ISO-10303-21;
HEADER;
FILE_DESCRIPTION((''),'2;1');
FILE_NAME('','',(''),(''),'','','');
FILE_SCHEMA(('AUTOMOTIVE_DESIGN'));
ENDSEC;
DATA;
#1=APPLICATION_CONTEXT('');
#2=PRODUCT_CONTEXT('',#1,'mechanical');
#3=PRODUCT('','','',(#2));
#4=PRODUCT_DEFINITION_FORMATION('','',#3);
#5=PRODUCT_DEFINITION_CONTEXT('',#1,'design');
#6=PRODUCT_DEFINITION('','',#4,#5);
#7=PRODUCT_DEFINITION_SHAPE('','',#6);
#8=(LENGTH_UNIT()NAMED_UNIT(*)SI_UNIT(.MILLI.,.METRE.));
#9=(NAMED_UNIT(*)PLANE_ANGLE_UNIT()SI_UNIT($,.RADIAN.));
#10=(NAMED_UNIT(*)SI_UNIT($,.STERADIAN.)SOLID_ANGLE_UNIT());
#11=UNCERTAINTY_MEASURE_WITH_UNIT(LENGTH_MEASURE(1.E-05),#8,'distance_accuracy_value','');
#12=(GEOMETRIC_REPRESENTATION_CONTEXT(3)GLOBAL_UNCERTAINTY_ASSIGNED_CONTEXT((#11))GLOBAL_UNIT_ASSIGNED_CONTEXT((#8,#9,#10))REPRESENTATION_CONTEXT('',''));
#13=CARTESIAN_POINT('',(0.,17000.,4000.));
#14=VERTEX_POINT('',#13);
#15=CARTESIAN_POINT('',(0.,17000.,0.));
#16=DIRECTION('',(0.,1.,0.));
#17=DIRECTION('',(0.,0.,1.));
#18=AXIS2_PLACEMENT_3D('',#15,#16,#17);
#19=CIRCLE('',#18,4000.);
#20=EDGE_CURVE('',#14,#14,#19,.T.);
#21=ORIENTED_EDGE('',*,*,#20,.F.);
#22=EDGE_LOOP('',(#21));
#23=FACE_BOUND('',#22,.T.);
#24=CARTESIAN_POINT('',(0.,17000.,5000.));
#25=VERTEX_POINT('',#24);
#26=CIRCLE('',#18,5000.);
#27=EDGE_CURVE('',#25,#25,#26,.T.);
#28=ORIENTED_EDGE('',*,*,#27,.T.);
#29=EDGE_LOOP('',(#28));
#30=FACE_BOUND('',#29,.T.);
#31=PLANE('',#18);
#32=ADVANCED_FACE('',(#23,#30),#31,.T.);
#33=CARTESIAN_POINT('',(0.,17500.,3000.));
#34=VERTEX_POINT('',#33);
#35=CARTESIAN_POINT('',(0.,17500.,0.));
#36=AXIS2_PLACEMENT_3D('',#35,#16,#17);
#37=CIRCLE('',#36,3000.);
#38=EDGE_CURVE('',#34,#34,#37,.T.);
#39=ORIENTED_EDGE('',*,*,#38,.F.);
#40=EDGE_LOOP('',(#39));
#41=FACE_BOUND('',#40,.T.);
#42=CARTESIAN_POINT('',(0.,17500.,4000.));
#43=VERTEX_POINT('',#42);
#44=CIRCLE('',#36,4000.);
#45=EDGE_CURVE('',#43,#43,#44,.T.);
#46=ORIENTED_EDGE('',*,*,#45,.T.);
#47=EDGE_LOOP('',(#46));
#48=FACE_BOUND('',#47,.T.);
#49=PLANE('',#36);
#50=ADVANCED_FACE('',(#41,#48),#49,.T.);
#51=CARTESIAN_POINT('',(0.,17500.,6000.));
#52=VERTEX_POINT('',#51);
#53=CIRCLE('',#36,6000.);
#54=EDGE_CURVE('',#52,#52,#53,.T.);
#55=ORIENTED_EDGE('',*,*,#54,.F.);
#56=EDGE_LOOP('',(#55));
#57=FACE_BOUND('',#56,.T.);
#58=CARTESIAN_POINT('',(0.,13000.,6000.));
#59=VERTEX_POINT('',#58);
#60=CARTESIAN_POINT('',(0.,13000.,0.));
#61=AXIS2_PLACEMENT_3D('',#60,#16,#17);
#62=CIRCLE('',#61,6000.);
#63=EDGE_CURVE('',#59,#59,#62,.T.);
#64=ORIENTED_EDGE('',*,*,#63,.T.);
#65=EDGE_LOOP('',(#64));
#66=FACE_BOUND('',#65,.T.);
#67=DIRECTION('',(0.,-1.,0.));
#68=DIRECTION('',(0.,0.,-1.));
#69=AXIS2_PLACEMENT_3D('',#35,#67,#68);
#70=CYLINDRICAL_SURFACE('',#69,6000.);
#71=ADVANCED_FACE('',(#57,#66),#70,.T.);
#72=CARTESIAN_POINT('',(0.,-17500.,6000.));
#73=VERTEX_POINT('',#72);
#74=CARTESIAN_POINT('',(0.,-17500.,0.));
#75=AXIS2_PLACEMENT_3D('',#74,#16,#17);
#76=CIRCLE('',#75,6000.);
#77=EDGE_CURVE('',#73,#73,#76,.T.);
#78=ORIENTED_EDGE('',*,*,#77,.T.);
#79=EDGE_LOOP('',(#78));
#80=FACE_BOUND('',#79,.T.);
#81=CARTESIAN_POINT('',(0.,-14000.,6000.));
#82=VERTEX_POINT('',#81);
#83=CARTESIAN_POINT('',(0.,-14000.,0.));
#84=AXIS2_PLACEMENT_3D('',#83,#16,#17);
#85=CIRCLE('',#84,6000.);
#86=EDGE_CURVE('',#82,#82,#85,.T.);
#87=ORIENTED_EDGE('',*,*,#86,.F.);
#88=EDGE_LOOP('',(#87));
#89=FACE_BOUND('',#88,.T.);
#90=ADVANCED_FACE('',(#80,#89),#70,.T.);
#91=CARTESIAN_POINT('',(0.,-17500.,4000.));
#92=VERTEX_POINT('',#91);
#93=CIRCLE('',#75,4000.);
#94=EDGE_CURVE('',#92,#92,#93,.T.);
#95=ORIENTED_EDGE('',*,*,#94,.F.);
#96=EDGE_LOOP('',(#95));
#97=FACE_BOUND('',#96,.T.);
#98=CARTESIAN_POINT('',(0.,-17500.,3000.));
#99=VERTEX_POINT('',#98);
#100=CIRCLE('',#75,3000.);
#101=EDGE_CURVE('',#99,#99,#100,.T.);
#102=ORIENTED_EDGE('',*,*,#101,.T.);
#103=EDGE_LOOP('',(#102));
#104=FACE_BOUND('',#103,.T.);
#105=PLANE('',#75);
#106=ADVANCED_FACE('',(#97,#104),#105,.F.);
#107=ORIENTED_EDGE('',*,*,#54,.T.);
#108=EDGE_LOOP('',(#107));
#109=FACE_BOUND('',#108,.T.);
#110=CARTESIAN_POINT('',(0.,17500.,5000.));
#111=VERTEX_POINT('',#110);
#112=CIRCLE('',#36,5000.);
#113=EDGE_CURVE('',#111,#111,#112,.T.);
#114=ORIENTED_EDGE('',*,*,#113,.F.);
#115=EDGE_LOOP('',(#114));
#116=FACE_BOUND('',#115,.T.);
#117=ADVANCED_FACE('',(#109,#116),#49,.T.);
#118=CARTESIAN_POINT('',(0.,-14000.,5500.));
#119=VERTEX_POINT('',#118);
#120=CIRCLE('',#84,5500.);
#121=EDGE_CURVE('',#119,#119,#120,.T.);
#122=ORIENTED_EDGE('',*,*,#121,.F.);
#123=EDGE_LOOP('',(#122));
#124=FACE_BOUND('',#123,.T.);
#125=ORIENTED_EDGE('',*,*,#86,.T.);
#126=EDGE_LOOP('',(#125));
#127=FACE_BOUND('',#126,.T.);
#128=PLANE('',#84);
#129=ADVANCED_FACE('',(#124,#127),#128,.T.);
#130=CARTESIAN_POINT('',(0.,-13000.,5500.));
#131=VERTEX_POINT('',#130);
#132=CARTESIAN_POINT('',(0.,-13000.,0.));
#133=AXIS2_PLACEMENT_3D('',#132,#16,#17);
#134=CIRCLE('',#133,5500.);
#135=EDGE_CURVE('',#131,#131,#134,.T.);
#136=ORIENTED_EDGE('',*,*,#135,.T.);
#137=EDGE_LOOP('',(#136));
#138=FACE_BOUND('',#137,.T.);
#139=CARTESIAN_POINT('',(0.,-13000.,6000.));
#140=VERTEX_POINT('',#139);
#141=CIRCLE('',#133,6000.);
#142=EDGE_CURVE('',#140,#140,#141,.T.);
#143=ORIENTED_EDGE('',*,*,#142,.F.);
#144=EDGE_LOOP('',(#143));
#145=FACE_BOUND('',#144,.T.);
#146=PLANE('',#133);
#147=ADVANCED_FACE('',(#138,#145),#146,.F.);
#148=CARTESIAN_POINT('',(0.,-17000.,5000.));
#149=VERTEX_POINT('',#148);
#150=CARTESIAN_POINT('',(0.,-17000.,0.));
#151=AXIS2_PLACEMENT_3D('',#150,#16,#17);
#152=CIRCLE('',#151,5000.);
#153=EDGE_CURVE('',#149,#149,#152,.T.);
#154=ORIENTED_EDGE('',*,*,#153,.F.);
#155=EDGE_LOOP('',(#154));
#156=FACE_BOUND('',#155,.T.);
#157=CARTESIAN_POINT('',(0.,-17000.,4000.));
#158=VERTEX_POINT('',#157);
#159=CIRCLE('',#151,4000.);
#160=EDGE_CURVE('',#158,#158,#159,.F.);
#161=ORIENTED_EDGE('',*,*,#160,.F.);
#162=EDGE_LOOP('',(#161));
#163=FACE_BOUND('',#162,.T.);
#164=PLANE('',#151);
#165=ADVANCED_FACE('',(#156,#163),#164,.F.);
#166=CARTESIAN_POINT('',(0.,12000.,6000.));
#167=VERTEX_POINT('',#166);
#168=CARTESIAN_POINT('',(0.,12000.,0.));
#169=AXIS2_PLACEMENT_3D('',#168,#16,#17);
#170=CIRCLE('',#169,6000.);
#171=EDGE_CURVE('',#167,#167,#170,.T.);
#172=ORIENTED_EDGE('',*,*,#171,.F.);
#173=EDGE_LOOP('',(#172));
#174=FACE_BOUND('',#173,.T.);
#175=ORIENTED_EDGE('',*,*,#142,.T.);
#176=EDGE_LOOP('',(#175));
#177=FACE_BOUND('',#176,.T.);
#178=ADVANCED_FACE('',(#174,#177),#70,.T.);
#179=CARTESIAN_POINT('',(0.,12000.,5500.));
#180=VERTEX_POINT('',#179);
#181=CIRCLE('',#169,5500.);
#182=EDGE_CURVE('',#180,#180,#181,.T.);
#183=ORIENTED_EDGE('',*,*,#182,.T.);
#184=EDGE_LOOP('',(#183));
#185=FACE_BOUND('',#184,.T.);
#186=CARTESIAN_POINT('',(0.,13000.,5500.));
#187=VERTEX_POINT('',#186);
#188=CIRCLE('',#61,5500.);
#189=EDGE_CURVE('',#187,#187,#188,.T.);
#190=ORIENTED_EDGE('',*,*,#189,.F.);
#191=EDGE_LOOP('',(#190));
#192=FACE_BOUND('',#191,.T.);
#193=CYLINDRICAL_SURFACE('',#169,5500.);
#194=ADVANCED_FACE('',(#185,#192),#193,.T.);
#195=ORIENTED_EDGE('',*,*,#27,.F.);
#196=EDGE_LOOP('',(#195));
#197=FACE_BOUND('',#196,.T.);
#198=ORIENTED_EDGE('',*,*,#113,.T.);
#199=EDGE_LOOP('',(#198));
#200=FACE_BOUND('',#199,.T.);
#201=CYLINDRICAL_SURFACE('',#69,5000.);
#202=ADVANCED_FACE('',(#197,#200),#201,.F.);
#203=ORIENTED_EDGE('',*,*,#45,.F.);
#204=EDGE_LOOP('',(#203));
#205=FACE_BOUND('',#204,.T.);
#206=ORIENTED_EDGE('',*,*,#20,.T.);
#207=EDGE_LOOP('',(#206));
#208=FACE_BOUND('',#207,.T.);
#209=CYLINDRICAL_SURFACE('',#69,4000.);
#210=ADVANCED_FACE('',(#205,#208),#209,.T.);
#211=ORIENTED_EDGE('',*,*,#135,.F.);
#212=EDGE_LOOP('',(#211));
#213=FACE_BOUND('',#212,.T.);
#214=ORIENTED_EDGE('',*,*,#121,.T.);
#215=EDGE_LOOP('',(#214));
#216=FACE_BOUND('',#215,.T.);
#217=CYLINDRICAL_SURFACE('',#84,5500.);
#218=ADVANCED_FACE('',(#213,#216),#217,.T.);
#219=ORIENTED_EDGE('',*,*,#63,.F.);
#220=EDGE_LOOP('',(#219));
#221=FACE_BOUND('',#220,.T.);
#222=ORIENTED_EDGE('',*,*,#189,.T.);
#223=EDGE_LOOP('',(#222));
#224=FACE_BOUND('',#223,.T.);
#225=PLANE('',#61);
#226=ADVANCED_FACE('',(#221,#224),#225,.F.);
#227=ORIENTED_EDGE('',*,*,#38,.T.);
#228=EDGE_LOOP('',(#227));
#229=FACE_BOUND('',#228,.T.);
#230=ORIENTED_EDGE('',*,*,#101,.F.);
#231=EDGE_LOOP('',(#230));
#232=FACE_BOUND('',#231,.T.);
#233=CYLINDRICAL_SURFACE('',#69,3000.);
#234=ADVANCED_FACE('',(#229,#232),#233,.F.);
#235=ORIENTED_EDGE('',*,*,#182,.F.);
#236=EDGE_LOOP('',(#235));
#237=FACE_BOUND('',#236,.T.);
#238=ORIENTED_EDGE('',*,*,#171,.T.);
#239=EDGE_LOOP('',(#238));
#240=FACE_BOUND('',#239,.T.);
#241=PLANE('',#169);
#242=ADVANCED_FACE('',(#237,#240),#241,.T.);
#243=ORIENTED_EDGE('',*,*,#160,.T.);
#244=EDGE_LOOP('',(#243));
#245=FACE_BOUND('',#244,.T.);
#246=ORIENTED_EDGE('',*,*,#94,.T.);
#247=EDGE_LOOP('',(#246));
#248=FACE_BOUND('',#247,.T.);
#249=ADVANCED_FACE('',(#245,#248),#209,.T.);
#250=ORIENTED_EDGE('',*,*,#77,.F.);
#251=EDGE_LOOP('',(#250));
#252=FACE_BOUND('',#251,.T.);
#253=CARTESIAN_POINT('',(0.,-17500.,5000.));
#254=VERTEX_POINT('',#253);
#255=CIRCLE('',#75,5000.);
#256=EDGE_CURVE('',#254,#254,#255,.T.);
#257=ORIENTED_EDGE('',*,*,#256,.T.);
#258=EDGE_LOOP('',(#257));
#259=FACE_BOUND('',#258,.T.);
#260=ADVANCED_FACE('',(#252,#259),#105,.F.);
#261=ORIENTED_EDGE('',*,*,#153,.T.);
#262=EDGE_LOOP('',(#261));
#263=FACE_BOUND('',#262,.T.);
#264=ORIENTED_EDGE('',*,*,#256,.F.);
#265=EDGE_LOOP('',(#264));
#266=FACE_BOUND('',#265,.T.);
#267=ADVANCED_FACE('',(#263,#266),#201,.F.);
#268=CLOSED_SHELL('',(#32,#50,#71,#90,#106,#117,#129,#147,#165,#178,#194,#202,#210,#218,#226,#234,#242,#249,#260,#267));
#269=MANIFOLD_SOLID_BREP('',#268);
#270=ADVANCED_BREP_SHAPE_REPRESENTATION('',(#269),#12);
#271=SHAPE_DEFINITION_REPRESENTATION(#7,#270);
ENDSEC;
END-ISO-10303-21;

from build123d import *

# Parameters (mm, degrees)
SKETCH_1_R          = 6000
SKETCH_1_R_2        = 5000
EXTRUDE_1_DEPTH     = 17500
SKETCH_1_5_R        = 4000
SKETCH_1_5_R_2      = 3000
EXTRUDE_3_DEPTH     = 17500
SKETCH_1_6_R        = 5000
SKETCH_1_6_R_2      = 4000
EXTRUDE_4_DEPTH     = 17000
SKETCH_5_R          = 6000
SKETCH_5_R_2        = 5500
CUT_EXTRUDE_4_DEPTH = 1000
SKETCH_6_R          = 6000
SKETCH_6_R_2        = 5500
CUT_EXTRUDE_5_DEPTH = 1000


with BuildPart() as part:
    # 草圖1 → 填料-伸長1 (new, symmetric)
    with BuildSketch(Plane(origin=(0, 0, 0), x_dir=(1, 0, 0), z_dir=(0, 1, 0))):
        Circle(SKETCH_1_R)
        Circle(SKETCH_1_R_2, mode=Mode.SUBTRACT)
    extrude(amount=EXTRUDE_1_DEPTH, both=True)



with BuildPart() as body_2:
    # 草圖1<5> → 填料-伸長3 (new, symmetric)
    with BuildSketch(Plane(origin=(0, 0, 0), x_dir=(1, 0, 0), z_dir=(0, 1, 0))):
        Circle(SKETCH_1_5_R)
        Circle(SKETCH_1_5_R_2, mode=Mode.SUBTRACT)
    extrude(amount=EXTRUDE_3_DEPTH, both=True)


with BuildPart() as part_1:
    add(part.part)

    add(body_2.part)  # 填料-伸長4 merges body 2
    # 草圖1<6> → 填料-伸長4 (add, symmetric)
    with BuildSketch(Plane(origin=(0, 0, 0), x_dir=(1, 0, 0), z_dir=(0, 1, 0))):
        Circle(SKETCH_1_6_R)
        Circle(SKETCH_1_6_R_2, mode=Mode.SUBTRACT)
    extrude(amount=EXTRUDE_4_DEPTH, both=True)

    # 草圖5 → 除料-伸長4 (cut)
    with BuildSketch(Plane(origin=(0, 13000, 0), x_dir=(1, 0, 0), z_dir=(0, 1, 0))):
        Circle(SKETCH_5_R)
        Circle(SKETCH_5_R_2, mode=Mode.SUBTRACT)
    extrude(amount=-CUT_EXTRUDE_4_DEPTH, mode=Mode.SUBTRACT)

    # 草圖6 → 除料-伸長5 (cut)
    with BuildSketch(Plane(origin=(0, -13000, 0), x_dir=(1, 0, 0), z_dir=(0, 1, 0))):
        Circle(SKETCH_6_R)
        Circle(SKETCH_6_R_2, mode=Mode.SUBTRACT)
    extrude(amount=-CUT_EXTRUDE_5_DEPTH, mode=Mode.SUBTRACT)


solid = part_1.part
